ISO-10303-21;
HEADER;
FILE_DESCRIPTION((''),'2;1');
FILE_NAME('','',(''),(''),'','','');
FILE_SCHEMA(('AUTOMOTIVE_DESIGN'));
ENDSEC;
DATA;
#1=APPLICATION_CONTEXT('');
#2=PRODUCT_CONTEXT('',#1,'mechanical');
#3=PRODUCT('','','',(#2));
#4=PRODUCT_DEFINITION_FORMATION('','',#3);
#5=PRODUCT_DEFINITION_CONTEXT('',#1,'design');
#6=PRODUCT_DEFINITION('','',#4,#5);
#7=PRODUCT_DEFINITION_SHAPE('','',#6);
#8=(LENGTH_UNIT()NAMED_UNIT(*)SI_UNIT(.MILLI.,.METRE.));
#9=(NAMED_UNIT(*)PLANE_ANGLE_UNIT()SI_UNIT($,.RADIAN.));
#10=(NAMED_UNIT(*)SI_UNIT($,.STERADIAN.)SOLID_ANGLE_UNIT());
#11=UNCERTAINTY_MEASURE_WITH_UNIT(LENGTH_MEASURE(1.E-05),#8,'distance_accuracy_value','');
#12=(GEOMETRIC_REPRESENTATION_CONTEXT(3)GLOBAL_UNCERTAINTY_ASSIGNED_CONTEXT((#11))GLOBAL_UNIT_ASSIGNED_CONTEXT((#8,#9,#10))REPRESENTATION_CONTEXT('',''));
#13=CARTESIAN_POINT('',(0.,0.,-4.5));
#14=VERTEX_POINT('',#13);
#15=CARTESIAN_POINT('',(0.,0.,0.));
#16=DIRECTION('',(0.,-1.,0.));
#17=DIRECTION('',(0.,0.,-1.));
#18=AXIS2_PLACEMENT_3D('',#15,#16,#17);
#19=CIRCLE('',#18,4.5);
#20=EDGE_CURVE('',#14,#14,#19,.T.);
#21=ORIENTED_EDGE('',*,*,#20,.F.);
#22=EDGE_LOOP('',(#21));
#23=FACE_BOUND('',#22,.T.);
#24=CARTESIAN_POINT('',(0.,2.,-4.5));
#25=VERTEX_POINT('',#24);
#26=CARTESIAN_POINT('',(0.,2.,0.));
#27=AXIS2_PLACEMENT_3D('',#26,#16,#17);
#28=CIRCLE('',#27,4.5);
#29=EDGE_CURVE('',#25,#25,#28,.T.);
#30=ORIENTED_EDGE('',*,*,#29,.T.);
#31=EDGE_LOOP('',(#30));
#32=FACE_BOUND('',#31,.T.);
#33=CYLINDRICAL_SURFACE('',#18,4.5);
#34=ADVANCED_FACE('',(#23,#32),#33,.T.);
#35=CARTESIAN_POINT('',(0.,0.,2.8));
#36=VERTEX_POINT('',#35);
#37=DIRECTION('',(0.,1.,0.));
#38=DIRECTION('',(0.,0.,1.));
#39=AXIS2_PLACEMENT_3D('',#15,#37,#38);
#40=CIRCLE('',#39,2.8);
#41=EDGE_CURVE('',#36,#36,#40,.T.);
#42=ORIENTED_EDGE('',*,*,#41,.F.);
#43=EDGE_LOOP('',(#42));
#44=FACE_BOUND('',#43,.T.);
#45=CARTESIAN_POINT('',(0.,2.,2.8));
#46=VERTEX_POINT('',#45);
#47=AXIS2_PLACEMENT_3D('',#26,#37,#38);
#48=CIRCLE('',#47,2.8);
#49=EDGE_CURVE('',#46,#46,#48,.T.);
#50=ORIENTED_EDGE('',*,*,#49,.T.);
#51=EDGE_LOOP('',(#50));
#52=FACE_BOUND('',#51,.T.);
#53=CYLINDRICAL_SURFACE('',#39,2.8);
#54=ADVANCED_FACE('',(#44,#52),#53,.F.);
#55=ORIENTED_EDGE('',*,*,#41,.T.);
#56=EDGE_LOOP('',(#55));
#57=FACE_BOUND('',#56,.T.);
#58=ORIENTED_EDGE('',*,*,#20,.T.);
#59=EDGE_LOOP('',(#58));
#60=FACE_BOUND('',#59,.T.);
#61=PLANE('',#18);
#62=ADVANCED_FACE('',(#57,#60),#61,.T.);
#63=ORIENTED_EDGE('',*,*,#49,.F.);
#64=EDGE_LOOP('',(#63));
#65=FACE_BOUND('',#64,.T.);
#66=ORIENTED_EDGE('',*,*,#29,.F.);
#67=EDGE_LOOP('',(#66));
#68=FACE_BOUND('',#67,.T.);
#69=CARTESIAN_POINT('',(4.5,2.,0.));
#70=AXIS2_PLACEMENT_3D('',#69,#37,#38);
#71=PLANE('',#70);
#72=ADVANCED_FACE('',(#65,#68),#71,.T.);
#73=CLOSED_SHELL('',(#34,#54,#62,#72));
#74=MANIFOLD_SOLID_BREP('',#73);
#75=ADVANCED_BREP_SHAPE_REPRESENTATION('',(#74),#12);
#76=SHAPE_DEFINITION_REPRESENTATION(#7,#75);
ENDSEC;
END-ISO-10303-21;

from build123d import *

# Parameters (mm, degrees)
SKETCH_1_W = 4.5
SKETCH_1_H = 2
SKETCH_2_R = 2.8
HOLE_DEPTH = 7.670832032


with BuildPart() as part:
    # 草图1 → Revolve 2 (revolve)
    with BuildSketch(Plane.XY, mode=Mode.PRIVATE) as revolve_2_sk:
        with Locations((2.25, 1)):
            Rectangle(SKETCH_1_W, SKETCH_1_H)
    revolve(revolve_2_sk.sketch.rotate(Axis((0, 0, 0), (0, 1, 0)), 90), axis=Axis((0, 0, 0), (0, 1, 0)))

    # 草图2 → Hole (cut, through all)
    with BuildSketch(Plane(origin=(0, 2, 0), x_dir=(1, 0, 0), z_dir=(0, 1, 0))):
        with Locations(Location((0, 0, 0), (0, 0, 270))):
            Circle(SKETCH_2_R)
    extrude(amount=-HOLE_DEPTH, mode=Mode.SUBTRACT)


solid = part.part
